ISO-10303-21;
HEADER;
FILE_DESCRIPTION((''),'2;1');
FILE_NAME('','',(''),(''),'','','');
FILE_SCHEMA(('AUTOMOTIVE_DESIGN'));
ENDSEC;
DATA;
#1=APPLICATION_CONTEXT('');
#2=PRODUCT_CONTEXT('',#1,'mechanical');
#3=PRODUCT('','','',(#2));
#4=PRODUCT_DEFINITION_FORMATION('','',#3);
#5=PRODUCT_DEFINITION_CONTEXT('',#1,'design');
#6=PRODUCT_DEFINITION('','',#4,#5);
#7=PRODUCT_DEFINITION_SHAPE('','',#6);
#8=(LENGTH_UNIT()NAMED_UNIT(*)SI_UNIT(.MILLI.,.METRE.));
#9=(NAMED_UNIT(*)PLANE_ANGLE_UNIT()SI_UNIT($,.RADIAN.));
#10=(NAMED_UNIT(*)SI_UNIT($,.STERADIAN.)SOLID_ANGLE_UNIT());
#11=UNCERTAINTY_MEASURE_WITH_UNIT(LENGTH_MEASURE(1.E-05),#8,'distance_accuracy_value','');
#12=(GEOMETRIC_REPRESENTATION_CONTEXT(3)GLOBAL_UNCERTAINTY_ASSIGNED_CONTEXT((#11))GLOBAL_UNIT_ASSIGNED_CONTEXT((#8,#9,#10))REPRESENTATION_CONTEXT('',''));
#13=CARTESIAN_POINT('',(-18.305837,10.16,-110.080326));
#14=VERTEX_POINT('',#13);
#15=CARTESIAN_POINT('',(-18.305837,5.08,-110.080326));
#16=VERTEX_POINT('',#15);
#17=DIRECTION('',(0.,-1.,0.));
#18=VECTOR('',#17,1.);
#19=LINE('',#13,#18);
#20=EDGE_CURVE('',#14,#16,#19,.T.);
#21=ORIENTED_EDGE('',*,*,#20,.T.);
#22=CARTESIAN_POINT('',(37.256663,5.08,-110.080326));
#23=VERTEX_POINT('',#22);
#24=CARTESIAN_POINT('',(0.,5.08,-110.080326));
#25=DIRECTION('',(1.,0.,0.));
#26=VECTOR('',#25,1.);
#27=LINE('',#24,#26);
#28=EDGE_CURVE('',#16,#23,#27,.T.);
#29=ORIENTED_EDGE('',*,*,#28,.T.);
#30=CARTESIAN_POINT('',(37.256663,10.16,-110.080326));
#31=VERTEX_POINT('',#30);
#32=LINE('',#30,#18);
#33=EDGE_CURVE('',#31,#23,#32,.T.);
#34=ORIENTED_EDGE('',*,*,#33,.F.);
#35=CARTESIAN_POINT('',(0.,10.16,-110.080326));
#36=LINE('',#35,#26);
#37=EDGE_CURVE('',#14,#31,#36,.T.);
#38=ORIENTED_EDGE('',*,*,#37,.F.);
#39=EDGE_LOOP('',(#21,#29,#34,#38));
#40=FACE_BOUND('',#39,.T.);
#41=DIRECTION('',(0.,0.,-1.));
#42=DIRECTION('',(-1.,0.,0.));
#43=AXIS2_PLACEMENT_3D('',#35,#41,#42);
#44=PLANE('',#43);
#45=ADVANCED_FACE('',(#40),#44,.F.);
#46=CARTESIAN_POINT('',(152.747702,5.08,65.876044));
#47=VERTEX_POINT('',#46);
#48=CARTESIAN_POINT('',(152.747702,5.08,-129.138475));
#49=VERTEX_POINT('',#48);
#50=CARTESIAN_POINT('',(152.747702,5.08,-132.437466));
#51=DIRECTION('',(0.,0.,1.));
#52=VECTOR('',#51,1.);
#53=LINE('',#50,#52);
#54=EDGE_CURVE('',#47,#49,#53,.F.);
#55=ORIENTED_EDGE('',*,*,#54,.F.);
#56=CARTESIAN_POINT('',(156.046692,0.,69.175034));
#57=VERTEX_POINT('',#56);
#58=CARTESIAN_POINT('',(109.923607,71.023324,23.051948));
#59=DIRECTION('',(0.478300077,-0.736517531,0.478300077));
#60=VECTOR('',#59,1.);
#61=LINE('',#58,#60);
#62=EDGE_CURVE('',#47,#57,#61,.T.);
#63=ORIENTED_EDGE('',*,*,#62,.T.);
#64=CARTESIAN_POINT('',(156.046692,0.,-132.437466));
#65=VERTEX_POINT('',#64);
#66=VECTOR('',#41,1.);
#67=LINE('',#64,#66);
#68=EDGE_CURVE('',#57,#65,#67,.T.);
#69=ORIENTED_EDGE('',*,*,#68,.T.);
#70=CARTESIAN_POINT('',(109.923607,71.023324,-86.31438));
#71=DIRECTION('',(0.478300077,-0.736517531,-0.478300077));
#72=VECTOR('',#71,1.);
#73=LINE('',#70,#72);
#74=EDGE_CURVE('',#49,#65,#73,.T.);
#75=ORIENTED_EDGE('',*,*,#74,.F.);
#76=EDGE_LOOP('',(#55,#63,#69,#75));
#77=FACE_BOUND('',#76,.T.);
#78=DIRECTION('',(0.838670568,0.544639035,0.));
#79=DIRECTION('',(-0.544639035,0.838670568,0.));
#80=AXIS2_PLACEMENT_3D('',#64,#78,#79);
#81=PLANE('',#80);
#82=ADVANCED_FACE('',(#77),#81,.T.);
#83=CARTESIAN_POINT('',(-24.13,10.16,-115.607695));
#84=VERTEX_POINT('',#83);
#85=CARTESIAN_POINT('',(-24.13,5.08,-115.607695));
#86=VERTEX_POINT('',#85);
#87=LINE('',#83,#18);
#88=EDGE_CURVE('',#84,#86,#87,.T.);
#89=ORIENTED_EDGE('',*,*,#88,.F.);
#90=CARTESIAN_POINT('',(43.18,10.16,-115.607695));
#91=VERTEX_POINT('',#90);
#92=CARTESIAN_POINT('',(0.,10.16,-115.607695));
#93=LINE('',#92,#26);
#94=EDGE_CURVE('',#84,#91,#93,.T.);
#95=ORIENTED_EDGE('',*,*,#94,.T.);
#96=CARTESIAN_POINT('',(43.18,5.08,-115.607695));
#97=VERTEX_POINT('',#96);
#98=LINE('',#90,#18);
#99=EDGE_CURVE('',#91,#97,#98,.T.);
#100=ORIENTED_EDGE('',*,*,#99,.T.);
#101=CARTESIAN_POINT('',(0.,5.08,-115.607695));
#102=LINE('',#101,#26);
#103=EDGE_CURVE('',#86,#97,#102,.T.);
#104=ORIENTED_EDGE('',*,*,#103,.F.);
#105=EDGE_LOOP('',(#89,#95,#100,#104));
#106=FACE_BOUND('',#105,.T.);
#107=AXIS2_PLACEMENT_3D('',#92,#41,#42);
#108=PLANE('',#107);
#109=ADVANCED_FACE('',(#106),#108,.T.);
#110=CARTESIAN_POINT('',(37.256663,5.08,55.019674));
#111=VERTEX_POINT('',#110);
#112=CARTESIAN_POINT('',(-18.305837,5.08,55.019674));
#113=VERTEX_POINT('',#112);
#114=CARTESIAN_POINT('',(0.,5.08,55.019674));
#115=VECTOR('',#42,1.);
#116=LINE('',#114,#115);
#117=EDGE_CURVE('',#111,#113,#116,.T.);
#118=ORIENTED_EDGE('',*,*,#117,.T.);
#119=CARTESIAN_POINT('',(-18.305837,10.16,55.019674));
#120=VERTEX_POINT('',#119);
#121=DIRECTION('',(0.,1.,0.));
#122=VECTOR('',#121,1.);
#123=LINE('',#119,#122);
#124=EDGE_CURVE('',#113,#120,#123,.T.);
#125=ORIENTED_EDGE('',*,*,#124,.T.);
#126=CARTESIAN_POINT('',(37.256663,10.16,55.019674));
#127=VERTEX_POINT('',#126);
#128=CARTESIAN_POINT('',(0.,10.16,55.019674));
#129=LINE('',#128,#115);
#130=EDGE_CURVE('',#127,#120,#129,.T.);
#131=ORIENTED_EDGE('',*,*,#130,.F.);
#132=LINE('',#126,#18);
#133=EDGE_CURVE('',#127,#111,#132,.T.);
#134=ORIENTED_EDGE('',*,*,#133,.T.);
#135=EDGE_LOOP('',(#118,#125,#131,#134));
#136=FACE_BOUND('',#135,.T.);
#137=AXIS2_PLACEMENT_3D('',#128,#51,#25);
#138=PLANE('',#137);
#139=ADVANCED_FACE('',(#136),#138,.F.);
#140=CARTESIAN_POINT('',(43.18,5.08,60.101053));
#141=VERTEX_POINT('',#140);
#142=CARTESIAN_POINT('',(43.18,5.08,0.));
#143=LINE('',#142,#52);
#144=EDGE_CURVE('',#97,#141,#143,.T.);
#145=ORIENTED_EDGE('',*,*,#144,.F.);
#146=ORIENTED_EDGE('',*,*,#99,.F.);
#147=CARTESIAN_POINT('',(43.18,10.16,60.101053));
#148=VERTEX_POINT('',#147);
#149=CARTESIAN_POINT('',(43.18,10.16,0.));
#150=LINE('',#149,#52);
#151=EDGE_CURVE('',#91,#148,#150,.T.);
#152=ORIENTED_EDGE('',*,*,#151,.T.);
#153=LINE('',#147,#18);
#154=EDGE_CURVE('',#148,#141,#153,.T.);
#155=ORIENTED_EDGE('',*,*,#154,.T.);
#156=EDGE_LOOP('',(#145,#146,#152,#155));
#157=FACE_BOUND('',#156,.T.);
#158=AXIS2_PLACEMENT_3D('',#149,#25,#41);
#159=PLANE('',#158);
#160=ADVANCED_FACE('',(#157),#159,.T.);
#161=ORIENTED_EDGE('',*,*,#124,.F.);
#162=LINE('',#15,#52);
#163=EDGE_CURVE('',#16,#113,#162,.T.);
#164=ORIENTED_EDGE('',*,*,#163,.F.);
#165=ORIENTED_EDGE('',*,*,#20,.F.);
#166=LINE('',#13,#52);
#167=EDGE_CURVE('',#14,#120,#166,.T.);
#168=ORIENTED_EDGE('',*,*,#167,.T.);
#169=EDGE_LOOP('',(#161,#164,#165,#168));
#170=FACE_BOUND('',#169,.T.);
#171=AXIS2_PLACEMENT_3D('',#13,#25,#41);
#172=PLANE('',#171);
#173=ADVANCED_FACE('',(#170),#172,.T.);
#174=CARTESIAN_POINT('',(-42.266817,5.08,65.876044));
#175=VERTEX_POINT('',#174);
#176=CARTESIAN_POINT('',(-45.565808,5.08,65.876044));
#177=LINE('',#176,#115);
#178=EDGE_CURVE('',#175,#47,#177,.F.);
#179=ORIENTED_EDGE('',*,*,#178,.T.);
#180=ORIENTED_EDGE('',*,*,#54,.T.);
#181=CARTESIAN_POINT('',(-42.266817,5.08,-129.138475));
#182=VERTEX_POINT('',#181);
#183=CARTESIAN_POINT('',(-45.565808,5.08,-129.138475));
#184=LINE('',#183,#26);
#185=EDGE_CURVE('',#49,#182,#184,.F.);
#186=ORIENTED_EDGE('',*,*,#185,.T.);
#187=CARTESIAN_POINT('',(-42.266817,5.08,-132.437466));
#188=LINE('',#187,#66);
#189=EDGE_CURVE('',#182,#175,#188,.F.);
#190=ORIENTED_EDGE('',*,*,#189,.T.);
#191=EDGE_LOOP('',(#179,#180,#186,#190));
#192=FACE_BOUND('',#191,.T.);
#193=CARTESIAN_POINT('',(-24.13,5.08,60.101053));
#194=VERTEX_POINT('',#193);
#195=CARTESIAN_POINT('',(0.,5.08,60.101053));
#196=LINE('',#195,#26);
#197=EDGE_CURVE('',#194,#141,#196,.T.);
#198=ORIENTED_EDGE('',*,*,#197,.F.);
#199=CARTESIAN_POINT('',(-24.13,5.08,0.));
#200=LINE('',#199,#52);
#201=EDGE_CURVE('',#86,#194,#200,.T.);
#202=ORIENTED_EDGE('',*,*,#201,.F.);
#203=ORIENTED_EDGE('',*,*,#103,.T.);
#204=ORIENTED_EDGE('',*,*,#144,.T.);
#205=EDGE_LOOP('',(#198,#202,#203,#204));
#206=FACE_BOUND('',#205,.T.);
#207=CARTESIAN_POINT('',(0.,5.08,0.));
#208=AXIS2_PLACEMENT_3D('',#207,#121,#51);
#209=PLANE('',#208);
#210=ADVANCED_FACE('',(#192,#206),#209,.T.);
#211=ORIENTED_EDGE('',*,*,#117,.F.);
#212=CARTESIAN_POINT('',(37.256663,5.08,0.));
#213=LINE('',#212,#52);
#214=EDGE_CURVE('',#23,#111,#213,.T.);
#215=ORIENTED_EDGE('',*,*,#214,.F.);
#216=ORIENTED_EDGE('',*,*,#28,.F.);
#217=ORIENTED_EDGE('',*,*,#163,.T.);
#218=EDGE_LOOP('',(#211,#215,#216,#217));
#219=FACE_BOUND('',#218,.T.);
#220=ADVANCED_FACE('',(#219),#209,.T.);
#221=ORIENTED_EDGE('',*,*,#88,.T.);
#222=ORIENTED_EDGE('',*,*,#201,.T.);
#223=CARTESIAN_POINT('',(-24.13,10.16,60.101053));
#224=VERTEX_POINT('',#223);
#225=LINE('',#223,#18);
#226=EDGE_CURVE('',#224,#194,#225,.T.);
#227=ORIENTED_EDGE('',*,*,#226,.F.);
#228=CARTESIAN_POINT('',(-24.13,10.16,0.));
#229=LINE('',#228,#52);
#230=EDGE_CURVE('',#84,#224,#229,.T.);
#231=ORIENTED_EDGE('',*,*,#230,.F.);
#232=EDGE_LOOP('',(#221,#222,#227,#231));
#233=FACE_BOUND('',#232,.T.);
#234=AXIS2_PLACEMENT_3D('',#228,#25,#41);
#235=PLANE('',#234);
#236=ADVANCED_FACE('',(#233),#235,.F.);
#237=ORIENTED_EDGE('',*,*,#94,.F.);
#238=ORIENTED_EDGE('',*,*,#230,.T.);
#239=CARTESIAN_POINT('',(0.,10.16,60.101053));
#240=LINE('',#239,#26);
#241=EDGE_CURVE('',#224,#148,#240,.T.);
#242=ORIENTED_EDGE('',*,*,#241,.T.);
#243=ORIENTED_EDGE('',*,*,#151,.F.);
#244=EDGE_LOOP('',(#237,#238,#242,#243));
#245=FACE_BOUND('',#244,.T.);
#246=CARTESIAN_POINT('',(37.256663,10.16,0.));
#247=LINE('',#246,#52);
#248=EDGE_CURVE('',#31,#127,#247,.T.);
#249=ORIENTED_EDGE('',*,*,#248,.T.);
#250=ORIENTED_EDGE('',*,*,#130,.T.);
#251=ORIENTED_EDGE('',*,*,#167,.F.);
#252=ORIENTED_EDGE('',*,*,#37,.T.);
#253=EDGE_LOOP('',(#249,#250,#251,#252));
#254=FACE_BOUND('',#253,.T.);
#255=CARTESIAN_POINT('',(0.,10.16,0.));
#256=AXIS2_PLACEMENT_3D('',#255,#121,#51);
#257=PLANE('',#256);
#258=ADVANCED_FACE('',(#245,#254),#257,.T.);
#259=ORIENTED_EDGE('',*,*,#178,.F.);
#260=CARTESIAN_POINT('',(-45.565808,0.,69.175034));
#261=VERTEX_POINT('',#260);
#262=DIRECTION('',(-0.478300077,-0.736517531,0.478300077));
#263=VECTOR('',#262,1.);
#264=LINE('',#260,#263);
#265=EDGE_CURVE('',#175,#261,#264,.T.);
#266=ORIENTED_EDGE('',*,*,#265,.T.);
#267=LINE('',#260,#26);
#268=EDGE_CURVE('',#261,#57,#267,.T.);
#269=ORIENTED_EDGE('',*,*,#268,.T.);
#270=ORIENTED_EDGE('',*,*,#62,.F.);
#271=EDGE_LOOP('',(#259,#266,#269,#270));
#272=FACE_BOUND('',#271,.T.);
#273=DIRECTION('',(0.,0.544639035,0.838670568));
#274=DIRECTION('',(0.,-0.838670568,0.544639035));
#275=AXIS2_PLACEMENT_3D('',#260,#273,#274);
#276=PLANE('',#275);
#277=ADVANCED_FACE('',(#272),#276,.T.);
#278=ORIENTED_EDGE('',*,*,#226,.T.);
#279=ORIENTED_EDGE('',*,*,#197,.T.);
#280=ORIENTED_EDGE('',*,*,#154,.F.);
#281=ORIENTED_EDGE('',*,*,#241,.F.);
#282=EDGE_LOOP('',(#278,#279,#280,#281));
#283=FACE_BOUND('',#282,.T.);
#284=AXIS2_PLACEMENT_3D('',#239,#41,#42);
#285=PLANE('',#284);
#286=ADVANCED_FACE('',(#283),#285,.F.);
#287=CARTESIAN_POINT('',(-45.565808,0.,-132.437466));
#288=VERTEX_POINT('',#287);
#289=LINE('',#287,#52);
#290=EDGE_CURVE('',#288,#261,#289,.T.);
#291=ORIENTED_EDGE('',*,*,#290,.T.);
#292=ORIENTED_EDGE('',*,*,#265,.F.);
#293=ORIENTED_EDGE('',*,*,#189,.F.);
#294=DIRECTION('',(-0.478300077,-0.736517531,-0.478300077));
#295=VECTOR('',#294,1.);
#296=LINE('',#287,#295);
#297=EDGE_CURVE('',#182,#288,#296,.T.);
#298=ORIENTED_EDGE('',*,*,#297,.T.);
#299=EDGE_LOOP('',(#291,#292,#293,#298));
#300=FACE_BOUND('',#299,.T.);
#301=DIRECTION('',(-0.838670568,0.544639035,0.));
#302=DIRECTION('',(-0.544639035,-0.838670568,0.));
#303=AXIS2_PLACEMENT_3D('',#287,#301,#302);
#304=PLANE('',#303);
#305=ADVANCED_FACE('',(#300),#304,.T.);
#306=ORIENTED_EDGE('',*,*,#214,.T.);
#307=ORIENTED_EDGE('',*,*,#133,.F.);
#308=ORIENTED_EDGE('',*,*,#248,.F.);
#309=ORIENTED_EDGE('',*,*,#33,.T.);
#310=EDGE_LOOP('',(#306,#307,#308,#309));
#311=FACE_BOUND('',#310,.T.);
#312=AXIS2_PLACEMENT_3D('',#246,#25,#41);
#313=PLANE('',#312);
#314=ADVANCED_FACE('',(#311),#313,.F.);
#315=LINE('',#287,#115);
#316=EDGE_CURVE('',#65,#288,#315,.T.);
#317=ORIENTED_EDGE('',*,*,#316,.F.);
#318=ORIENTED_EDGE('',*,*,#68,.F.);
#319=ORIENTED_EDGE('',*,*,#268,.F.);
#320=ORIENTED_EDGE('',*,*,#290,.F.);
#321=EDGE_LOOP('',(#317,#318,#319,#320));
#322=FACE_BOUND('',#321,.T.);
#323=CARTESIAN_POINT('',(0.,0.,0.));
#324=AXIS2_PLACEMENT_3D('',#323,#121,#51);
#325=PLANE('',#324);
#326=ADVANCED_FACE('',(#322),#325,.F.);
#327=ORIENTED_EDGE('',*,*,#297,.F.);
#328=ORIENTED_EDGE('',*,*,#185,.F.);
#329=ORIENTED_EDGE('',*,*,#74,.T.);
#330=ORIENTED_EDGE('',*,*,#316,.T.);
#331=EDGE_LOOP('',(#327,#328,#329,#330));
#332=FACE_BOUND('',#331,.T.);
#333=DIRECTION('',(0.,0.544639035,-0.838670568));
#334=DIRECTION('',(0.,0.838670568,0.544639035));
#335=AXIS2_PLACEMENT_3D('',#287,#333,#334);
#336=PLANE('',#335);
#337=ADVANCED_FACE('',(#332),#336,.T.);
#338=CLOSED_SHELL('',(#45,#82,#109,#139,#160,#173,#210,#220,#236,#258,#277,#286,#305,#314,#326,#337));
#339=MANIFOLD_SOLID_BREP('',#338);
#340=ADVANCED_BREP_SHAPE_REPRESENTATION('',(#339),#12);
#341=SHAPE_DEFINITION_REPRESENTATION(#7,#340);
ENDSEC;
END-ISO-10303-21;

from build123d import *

# Parameters (mm, degrees)
SKETCH1_W           = 201.6125
SKETCH1_H           = 201.6125
BOSS_EXTRUDE1_DEPTH = 5.08
BOSS_EXTRUDE1_TAPER = 33
SKETCH2_W           = 67.31
SKETCH2_H           = 175.708748127
SKETCH2_W_2         = 55.5625
SKETCH2_H_2         = 165.1
BOSS_EXTRUDE3_DEPTH = 5.08


with BuildPart() as part:
    # Sketch1 → Boss-Extrude1 (new body)
    with BuildSketch(Plane(origin=(0, 0, 0), x_dir=(1, 0, 0), z_dir=(0, 1, 0))):
        with Locations((55.240442456, 31.631215749)):
            Rectangle(SKETCH1_W, SKETCH1_H)
    extrude(amount=BOSS_EXTRUDE1_DEPTH, taper=BOSS_EXTRUDE1_TAPER)

    # Sketch2 → Boss-Extrude3 (add)
    with BuildSketch(Plane(origin=(0, 5.08, 0), x_dir=(1, 0, 0), z_dir=(0, 1, 0))):
        with Locations((9.525, 27.753321004)):
            Rectangle(SKETCH2_W, SKETCH2_H)
        with Locations((9.475412799, 27.530326262)):
            Rectangle(SKETCH2_W_2, SKETCH2_H_2, mode=Mode.SUBTRACT)
    extrude(amount=BOSS_EXTRUDE3_DEPTH)


solid = part.part
